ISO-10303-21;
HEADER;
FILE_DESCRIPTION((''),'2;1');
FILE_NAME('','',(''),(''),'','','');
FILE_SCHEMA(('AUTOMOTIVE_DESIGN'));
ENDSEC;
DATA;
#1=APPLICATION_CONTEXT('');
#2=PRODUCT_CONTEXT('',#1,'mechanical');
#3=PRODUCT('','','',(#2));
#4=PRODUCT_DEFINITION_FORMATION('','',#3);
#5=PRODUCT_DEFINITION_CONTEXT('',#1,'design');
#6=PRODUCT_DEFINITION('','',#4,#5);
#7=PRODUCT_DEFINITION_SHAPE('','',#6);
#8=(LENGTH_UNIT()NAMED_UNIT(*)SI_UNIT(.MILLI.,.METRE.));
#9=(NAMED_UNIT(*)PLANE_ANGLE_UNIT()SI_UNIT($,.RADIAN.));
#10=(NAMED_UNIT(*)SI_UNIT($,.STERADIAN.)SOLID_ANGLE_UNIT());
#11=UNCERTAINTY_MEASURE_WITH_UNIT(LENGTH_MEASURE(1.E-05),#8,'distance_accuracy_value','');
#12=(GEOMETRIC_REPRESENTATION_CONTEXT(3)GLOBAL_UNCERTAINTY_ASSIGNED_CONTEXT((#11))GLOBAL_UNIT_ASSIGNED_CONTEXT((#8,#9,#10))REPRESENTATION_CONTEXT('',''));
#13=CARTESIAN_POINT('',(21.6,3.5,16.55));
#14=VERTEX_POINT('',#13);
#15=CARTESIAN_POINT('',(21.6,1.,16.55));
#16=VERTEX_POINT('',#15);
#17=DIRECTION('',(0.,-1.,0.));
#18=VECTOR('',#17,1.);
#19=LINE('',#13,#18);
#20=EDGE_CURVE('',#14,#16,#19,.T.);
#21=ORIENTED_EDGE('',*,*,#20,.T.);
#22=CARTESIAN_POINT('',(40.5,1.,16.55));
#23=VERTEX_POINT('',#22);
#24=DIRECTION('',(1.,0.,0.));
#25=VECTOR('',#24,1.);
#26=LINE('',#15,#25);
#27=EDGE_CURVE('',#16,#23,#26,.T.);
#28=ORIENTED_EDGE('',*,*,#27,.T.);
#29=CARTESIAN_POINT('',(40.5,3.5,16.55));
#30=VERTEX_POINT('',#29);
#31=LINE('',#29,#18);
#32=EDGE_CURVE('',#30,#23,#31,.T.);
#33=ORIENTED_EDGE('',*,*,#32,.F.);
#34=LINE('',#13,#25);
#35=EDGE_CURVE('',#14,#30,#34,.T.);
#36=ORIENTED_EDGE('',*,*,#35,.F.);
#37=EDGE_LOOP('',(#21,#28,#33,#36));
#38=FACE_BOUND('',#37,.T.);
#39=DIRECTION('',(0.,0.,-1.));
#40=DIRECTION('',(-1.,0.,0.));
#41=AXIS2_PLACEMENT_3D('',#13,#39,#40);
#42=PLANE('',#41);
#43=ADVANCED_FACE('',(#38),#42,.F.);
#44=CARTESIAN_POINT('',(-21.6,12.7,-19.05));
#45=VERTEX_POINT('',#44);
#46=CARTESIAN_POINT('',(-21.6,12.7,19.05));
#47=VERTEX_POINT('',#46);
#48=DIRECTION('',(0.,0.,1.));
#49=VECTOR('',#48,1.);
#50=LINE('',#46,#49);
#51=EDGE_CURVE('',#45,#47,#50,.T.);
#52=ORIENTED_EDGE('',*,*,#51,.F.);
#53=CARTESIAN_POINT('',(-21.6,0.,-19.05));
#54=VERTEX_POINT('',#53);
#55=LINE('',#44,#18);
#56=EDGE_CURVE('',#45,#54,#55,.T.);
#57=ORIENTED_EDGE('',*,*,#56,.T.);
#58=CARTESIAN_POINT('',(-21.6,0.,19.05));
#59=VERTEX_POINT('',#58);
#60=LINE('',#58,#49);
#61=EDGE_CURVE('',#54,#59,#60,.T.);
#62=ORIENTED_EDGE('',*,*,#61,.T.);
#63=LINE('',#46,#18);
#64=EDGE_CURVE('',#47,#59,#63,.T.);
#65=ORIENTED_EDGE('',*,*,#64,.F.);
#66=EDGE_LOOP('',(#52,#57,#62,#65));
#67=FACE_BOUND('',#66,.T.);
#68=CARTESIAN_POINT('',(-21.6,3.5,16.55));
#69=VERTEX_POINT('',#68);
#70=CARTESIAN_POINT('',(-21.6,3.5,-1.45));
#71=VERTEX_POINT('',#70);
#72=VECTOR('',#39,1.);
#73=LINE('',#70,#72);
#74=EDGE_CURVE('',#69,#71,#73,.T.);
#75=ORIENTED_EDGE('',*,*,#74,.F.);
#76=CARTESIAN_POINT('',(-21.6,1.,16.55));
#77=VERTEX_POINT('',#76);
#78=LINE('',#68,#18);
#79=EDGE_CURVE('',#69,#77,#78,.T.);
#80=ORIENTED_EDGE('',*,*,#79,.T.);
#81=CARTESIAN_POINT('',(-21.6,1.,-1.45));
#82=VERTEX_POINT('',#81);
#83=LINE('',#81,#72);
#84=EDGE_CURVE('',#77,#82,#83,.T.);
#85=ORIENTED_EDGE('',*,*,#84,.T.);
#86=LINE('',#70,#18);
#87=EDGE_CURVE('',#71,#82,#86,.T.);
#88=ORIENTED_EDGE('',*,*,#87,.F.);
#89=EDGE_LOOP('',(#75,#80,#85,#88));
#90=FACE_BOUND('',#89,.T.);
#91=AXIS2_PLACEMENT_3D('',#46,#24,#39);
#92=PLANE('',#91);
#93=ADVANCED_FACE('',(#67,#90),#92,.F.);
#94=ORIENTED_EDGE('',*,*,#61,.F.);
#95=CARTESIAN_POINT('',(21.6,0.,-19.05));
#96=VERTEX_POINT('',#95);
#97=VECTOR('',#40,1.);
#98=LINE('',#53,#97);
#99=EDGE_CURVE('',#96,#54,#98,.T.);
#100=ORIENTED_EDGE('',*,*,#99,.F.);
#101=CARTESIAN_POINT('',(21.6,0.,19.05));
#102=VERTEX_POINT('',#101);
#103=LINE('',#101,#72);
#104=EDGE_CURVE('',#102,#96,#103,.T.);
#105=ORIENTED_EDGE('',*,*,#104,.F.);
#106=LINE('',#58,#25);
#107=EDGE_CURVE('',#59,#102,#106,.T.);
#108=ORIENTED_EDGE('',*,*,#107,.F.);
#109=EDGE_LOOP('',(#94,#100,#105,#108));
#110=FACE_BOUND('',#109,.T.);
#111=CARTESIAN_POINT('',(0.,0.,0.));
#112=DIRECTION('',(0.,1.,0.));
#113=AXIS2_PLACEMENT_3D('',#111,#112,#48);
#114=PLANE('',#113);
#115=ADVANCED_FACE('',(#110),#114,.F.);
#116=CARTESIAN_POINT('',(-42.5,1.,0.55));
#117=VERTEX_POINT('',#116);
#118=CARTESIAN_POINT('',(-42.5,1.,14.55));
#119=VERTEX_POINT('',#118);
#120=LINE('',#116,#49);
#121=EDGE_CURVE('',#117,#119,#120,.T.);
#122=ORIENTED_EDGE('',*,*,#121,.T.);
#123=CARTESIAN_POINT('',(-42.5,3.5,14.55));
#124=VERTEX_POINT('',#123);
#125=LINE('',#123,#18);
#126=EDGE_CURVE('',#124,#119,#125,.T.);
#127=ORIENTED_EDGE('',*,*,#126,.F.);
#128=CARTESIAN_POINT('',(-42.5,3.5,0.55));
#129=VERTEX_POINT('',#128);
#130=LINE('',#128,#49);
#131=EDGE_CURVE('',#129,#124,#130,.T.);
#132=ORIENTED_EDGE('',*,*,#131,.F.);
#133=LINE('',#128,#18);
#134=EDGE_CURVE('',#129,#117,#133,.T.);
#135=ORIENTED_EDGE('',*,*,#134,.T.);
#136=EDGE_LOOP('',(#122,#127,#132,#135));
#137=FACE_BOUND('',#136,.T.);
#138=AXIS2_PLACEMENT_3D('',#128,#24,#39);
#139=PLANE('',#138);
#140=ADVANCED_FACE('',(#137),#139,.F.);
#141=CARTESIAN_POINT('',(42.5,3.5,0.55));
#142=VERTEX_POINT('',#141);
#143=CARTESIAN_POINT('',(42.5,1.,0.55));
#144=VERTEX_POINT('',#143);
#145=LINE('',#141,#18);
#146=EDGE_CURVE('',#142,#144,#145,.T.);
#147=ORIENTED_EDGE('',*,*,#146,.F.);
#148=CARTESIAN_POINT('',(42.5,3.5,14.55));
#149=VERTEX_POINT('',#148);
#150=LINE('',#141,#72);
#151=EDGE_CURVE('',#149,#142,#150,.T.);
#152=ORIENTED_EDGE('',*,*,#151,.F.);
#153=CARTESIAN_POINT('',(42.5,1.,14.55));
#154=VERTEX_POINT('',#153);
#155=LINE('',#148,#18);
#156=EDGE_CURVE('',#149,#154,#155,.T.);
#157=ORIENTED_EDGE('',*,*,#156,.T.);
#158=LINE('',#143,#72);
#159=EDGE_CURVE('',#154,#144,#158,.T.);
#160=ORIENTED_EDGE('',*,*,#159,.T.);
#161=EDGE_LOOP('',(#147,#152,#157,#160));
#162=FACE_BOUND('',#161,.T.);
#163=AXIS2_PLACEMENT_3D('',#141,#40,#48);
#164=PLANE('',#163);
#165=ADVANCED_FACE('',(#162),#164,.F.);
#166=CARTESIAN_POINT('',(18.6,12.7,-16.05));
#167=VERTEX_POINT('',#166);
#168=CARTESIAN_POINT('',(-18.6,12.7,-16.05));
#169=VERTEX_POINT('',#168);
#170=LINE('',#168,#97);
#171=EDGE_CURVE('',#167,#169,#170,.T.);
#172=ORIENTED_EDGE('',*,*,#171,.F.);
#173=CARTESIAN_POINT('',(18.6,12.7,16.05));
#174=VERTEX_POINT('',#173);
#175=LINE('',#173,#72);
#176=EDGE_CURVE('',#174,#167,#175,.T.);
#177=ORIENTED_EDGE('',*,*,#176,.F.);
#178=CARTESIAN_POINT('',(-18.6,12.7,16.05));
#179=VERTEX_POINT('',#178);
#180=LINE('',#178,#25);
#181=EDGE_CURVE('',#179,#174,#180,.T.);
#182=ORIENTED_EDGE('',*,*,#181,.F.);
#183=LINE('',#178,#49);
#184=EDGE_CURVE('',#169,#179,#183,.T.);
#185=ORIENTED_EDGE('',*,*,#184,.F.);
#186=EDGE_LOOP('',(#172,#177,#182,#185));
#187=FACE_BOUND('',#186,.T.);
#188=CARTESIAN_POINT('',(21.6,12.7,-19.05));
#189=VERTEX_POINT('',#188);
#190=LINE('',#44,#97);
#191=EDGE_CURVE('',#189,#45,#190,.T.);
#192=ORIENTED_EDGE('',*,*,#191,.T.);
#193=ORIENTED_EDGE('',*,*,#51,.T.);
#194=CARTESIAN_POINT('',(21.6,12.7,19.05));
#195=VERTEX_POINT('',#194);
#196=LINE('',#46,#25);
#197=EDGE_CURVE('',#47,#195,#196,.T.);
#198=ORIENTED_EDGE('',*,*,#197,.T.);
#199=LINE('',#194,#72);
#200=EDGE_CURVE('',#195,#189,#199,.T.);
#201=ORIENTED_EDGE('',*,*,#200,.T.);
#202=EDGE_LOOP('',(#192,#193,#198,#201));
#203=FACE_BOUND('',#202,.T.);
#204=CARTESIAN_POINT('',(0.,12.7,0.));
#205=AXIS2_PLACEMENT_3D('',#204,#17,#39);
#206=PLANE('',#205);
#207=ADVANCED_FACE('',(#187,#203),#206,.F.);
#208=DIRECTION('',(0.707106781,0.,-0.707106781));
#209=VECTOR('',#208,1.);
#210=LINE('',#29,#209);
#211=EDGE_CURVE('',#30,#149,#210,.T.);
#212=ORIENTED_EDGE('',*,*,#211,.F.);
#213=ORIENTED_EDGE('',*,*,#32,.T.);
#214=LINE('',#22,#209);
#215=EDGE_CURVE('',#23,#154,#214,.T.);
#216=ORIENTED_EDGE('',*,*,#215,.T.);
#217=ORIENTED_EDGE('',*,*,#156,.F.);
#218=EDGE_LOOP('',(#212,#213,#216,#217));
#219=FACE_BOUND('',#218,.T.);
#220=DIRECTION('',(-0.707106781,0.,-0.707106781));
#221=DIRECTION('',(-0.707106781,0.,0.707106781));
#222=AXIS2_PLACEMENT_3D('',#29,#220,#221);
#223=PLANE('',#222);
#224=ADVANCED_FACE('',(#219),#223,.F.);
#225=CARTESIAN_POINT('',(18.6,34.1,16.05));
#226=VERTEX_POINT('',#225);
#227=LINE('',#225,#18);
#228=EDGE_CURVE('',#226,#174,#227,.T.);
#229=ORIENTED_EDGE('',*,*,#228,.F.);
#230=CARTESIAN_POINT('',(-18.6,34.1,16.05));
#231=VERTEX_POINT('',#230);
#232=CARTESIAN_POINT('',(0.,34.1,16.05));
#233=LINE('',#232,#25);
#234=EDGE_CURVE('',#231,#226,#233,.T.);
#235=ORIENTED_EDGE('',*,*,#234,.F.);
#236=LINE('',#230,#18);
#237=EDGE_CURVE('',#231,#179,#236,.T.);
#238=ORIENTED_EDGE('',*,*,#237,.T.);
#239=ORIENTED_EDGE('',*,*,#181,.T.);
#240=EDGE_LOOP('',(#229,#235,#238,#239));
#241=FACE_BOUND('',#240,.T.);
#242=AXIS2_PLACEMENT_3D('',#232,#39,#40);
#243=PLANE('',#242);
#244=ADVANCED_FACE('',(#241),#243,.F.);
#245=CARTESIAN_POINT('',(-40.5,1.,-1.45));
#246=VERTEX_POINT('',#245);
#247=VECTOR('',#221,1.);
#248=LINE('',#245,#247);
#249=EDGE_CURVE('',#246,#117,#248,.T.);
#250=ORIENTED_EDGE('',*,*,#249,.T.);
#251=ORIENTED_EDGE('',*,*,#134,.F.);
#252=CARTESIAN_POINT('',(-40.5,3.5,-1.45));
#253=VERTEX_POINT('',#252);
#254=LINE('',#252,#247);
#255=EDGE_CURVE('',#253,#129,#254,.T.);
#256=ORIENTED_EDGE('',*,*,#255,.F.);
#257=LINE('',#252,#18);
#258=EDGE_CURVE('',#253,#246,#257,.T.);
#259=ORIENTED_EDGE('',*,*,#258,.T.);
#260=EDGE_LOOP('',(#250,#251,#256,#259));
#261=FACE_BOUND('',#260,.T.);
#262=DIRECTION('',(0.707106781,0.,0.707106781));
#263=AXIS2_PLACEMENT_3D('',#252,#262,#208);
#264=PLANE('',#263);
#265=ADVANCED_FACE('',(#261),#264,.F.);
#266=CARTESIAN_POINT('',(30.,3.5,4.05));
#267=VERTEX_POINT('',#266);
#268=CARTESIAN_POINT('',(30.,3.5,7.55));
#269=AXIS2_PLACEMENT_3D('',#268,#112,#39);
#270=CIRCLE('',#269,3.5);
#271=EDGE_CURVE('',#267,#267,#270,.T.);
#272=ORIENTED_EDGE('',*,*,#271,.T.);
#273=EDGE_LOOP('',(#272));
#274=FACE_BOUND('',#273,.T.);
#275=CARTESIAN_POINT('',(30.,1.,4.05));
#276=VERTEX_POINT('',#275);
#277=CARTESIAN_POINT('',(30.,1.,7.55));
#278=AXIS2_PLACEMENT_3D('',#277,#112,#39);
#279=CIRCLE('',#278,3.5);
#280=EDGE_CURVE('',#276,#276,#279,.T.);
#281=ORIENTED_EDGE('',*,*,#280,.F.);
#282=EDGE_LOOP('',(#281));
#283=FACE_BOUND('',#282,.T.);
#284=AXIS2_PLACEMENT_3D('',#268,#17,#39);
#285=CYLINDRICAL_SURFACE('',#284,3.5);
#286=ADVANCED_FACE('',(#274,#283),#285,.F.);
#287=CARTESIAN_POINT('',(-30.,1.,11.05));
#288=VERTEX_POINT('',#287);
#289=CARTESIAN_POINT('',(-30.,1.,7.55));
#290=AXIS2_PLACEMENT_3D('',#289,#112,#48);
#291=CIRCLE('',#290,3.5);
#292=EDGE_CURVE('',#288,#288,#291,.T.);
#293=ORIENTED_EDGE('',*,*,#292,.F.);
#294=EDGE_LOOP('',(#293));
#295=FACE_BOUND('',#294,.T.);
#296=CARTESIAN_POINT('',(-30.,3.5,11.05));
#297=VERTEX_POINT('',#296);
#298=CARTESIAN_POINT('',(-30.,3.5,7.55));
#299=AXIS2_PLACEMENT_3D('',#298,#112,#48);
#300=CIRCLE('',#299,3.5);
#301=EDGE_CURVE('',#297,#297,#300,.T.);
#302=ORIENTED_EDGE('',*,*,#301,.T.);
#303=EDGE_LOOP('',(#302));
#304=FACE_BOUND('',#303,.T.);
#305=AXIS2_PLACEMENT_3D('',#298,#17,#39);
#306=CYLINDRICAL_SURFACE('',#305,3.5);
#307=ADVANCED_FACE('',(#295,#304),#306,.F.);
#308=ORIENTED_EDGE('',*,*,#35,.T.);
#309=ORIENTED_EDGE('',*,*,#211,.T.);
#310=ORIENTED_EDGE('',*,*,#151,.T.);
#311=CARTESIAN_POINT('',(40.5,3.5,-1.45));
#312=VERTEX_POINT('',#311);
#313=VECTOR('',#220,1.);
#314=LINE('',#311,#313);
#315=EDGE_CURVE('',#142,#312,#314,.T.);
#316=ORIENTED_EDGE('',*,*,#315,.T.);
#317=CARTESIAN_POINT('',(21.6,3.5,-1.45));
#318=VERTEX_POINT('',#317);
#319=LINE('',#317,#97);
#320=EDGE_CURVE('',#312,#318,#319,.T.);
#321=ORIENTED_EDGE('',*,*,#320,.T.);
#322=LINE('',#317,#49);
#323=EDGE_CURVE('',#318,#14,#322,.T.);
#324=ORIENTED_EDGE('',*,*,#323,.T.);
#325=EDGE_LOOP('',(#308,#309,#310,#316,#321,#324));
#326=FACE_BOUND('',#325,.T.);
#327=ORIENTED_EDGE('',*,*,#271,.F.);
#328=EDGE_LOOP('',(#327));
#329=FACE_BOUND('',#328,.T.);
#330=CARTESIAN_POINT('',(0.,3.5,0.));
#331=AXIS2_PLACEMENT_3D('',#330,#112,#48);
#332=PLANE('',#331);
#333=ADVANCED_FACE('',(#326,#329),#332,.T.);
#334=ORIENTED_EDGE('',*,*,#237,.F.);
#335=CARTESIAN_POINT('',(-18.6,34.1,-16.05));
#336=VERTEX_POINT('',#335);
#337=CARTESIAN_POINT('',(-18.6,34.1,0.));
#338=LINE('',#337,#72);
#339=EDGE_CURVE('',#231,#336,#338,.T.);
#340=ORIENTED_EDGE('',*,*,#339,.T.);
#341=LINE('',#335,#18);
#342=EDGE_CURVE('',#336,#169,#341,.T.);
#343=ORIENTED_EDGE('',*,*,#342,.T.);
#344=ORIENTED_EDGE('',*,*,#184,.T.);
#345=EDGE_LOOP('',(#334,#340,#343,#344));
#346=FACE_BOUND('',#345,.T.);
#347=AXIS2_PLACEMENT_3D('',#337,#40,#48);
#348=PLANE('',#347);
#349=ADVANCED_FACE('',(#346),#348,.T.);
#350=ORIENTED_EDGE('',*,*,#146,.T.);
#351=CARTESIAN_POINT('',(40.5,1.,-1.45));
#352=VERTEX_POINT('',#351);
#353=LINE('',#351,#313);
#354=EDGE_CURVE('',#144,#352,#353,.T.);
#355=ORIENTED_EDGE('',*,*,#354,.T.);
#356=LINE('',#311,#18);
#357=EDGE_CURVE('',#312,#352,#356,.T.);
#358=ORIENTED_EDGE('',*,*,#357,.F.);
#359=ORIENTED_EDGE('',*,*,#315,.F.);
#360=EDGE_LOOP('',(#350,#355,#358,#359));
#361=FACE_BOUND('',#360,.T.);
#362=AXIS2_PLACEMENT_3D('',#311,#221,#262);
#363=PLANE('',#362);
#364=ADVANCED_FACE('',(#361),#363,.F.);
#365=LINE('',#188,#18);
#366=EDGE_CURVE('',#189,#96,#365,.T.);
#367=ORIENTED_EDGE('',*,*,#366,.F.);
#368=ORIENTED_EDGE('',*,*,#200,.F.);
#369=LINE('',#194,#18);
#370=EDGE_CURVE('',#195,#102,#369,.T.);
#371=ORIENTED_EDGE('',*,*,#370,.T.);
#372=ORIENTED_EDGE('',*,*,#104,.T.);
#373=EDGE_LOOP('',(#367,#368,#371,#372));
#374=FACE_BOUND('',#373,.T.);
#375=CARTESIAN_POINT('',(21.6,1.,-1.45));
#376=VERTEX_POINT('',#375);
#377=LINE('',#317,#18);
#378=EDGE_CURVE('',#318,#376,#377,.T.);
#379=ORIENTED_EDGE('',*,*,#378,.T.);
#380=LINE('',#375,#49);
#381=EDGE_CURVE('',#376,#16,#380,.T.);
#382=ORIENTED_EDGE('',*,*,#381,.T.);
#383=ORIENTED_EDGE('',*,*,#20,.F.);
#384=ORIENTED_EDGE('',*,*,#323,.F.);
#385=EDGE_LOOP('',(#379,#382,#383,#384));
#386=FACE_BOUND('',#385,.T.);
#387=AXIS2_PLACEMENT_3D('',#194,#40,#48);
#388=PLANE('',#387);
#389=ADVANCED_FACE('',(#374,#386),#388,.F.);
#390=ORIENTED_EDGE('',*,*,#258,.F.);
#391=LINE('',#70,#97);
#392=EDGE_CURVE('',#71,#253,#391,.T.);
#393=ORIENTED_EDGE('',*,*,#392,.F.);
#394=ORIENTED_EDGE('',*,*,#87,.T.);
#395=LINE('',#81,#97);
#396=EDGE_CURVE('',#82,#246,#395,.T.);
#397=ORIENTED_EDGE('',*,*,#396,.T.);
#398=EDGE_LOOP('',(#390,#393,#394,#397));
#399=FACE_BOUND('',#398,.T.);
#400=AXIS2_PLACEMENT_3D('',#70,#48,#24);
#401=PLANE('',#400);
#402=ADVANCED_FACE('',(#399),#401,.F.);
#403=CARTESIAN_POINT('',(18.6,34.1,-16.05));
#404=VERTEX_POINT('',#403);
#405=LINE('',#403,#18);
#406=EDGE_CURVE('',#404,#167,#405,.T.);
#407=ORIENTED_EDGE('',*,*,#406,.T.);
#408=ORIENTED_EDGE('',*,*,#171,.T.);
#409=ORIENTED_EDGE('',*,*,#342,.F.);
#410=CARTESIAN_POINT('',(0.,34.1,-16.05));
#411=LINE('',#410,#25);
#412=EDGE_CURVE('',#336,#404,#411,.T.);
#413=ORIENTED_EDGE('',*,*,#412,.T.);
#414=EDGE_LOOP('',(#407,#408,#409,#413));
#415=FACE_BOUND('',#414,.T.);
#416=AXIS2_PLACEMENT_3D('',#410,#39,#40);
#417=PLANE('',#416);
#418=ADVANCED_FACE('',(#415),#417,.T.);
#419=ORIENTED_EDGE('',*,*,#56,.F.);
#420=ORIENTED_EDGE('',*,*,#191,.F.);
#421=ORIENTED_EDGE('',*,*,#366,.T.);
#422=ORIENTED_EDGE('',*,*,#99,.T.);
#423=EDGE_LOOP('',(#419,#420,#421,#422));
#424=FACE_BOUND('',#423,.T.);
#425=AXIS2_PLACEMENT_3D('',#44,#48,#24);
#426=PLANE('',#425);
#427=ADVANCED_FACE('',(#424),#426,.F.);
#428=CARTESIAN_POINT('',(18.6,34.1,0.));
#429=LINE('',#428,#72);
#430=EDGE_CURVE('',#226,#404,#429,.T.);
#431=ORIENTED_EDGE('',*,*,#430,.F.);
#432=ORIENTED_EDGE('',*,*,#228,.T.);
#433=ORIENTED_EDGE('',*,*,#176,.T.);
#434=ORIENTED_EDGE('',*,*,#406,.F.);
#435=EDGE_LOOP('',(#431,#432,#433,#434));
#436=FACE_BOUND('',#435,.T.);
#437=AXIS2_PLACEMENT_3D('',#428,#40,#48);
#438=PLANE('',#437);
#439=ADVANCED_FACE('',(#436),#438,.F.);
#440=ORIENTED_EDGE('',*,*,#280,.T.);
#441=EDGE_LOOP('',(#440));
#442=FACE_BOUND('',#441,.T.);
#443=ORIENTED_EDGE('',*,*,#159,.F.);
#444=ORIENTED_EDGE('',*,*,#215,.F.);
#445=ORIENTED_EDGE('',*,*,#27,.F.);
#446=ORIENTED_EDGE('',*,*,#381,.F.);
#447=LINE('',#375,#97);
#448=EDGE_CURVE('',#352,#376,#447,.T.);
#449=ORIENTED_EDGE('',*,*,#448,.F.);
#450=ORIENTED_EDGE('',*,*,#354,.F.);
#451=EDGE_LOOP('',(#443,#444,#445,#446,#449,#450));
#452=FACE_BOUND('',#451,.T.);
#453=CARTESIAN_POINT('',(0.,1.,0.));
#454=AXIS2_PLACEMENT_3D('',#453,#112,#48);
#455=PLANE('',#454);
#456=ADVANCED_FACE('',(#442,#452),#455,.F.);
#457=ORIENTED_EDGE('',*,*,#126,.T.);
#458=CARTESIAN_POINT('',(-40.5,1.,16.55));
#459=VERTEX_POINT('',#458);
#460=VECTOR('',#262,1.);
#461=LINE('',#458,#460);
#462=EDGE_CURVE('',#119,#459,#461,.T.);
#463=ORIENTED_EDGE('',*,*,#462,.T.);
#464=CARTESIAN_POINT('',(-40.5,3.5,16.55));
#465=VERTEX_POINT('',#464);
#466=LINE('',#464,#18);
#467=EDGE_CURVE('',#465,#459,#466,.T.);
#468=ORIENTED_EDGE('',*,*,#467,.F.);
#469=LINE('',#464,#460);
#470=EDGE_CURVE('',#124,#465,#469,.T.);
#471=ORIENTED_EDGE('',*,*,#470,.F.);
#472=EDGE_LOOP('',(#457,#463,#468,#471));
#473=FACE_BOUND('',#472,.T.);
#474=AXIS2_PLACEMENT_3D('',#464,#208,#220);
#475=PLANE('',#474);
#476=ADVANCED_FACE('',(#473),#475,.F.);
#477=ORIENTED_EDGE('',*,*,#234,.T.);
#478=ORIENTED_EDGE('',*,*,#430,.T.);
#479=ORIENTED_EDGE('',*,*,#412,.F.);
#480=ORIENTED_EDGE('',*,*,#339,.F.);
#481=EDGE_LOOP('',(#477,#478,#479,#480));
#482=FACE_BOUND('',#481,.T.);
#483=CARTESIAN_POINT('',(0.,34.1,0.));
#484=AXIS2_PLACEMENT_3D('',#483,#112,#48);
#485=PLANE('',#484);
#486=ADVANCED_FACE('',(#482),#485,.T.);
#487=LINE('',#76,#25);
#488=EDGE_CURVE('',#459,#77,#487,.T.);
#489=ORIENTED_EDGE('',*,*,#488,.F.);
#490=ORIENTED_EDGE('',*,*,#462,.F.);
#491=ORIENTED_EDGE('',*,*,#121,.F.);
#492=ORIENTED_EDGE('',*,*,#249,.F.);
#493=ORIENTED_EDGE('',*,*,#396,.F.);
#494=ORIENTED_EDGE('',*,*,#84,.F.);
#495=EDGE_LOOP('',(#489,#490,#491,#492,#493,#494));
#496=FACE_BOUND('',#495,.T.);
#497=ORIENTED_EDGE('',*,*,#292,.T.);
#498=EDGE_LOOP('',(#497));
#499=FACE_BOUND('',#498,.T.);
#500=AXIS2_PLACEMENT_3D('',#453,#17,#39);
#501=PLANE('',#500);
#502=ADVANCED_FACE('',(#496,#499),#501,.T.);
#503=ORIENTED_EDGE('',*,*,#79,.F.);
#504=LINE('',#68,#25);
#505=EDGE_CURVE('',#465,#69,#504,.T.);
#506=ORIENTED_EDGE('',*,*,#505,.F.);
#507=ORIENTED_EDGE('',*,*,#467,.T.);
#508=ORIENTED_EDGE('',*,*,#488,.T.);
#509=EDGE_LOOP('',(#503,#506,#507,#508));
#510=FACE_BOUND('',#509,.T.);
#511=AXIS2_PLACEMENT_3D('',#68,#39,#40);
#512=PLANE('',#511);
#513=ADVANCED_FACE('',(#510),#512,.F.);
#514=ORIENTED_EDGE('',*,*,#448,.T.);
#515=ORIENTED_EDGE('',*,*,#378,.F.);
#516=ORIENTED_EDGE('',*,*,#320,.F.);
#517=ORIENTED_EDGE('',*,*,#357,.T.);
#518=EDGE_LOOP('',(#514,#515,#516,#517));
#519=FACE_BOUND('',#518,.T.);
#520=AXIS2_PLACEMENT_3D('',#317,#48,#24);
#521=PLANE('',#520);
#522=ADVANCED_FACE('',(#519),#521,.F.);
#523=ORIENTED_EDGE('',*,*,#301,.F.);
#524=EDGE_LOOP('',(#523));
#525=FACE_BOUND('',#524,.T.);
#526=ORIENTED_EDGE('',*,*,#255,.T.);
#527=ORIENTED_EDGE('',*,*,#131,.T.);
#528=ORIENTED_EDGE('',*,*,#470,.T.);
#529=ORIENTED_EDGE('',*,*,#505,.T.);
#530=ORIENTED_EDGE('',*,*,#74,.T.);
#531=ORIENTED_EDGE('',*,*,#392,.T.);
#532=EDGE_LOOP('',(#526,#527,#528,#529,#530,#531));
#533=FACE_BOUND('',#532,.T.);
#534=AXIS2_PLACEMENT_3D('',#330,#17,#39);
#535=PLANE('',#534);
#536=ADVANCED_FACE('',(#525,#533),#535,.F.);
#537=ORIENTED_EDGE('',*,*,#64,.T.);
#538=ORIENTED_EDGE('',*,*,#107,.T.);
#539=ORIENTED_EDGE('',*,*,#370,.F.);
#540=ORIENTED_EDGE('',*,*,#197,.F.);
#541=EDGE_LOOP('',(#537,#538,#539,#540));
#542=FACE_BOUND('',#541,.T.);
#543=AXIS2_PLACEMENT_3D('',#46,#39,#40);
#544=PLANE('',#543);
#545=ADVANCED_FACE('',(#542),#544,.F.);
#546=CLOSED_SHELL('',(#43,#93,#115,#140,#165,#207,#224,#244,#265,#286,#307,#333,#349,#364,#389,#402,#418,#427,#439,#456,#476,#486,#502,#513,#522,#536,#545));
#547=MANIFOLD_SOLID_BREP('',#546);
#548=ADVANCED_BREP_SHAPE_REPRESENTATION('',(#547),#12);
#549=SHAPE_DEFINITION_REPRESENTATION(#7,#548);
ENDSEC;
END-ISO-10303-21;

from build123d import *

# Parameters (mm, degrees)
SKETCH1_W           = 37.2
SKETCH1_H           = 32.1
BOSS_EXTRUDE1_DEPTH = 34.1
SKETCH1_4_W         = 43.2
SKETCH1_4_H         = 38.1
SKETCH1_4_W_2       = 37.2
SKETCH1_4_H_2       = 32.1
BOSS_EXTRUDE2_DEPTH = 12.7
BOSS_EXTRUDE3_START = 1
SKETCH2_R           = 3.5
BOSS_EXTRUDE3_DEPTH = 2.5


with BuildPart() as part:
    # Sketch1 → Boss-Extrude1 (new body)
    with BuildSketch(Plane(origin=(0, 0, 0), x_dir=(1, 0, 0), z_dir=(0, 1, 0))):
        Rectangle(SKETCH1_W, SKETCH1_H)
    extrude(amount=BOSS_EXTRUDE1_DEPTH)

    # Sketch1<4> → Boss-Extrude2 (add)
    with BuildSketch(Plane(origin=(0, 0, 0), x_dir=(1, 0, 0), z_dir=(0, 1, 0))):
        Rectangle(SKETCH1_4_W, SKETCH1_4_H)
        Rectangle(SKETCH1_4_W_2, SKETCH1_4_H_2, mode=Mode.SUBTRACT)
    extrude(amount=BOSS_EXTRUDE2_DEPTH)

    # Sketch2 → Boss-Extrude3 (add)
    # profile 1 of 2: a face of its own
    with BuildSketch(Plane(origin=(0, 0, 0), x_dir=(1, 0, 0), z_dir=(0, 1, 0)).offset(BOSS_EXTRUDE3_START)):
        Polygon((-21.6, 1.45), (-40.5, 1.45), (-42.5, -0.55), (-42.5, -14.55), (-40.5, -16.55), (-21.6, -16.55), align=None)
        with Locations((-30, -7.55)):
            Circle(SKETCH2_R, mode=Mode.SUBTRACT)
    # profile 2 of 2: a face of its own
    with BuildSketch(Plane(origin=(0, 0, 0), x_dir=(1, 0, 0), z_dir=(0, 1, 0)).offset(BOSS_EXTRUDE3_START)):
        Polygon((21.6, -16.55), (40.5, -16.55), (42.5, -14.55), (42.5, -0.55), (40.5, 1.45), (21.6, 1.45), align=None)
        with Locations((30, -7.55)):
            Circle(SKETCH2_R, mode=Mode.SUBTRACT)
    extrude(amount=BOSS_EXTRUDE3_DEPTH)


solid = part.part
